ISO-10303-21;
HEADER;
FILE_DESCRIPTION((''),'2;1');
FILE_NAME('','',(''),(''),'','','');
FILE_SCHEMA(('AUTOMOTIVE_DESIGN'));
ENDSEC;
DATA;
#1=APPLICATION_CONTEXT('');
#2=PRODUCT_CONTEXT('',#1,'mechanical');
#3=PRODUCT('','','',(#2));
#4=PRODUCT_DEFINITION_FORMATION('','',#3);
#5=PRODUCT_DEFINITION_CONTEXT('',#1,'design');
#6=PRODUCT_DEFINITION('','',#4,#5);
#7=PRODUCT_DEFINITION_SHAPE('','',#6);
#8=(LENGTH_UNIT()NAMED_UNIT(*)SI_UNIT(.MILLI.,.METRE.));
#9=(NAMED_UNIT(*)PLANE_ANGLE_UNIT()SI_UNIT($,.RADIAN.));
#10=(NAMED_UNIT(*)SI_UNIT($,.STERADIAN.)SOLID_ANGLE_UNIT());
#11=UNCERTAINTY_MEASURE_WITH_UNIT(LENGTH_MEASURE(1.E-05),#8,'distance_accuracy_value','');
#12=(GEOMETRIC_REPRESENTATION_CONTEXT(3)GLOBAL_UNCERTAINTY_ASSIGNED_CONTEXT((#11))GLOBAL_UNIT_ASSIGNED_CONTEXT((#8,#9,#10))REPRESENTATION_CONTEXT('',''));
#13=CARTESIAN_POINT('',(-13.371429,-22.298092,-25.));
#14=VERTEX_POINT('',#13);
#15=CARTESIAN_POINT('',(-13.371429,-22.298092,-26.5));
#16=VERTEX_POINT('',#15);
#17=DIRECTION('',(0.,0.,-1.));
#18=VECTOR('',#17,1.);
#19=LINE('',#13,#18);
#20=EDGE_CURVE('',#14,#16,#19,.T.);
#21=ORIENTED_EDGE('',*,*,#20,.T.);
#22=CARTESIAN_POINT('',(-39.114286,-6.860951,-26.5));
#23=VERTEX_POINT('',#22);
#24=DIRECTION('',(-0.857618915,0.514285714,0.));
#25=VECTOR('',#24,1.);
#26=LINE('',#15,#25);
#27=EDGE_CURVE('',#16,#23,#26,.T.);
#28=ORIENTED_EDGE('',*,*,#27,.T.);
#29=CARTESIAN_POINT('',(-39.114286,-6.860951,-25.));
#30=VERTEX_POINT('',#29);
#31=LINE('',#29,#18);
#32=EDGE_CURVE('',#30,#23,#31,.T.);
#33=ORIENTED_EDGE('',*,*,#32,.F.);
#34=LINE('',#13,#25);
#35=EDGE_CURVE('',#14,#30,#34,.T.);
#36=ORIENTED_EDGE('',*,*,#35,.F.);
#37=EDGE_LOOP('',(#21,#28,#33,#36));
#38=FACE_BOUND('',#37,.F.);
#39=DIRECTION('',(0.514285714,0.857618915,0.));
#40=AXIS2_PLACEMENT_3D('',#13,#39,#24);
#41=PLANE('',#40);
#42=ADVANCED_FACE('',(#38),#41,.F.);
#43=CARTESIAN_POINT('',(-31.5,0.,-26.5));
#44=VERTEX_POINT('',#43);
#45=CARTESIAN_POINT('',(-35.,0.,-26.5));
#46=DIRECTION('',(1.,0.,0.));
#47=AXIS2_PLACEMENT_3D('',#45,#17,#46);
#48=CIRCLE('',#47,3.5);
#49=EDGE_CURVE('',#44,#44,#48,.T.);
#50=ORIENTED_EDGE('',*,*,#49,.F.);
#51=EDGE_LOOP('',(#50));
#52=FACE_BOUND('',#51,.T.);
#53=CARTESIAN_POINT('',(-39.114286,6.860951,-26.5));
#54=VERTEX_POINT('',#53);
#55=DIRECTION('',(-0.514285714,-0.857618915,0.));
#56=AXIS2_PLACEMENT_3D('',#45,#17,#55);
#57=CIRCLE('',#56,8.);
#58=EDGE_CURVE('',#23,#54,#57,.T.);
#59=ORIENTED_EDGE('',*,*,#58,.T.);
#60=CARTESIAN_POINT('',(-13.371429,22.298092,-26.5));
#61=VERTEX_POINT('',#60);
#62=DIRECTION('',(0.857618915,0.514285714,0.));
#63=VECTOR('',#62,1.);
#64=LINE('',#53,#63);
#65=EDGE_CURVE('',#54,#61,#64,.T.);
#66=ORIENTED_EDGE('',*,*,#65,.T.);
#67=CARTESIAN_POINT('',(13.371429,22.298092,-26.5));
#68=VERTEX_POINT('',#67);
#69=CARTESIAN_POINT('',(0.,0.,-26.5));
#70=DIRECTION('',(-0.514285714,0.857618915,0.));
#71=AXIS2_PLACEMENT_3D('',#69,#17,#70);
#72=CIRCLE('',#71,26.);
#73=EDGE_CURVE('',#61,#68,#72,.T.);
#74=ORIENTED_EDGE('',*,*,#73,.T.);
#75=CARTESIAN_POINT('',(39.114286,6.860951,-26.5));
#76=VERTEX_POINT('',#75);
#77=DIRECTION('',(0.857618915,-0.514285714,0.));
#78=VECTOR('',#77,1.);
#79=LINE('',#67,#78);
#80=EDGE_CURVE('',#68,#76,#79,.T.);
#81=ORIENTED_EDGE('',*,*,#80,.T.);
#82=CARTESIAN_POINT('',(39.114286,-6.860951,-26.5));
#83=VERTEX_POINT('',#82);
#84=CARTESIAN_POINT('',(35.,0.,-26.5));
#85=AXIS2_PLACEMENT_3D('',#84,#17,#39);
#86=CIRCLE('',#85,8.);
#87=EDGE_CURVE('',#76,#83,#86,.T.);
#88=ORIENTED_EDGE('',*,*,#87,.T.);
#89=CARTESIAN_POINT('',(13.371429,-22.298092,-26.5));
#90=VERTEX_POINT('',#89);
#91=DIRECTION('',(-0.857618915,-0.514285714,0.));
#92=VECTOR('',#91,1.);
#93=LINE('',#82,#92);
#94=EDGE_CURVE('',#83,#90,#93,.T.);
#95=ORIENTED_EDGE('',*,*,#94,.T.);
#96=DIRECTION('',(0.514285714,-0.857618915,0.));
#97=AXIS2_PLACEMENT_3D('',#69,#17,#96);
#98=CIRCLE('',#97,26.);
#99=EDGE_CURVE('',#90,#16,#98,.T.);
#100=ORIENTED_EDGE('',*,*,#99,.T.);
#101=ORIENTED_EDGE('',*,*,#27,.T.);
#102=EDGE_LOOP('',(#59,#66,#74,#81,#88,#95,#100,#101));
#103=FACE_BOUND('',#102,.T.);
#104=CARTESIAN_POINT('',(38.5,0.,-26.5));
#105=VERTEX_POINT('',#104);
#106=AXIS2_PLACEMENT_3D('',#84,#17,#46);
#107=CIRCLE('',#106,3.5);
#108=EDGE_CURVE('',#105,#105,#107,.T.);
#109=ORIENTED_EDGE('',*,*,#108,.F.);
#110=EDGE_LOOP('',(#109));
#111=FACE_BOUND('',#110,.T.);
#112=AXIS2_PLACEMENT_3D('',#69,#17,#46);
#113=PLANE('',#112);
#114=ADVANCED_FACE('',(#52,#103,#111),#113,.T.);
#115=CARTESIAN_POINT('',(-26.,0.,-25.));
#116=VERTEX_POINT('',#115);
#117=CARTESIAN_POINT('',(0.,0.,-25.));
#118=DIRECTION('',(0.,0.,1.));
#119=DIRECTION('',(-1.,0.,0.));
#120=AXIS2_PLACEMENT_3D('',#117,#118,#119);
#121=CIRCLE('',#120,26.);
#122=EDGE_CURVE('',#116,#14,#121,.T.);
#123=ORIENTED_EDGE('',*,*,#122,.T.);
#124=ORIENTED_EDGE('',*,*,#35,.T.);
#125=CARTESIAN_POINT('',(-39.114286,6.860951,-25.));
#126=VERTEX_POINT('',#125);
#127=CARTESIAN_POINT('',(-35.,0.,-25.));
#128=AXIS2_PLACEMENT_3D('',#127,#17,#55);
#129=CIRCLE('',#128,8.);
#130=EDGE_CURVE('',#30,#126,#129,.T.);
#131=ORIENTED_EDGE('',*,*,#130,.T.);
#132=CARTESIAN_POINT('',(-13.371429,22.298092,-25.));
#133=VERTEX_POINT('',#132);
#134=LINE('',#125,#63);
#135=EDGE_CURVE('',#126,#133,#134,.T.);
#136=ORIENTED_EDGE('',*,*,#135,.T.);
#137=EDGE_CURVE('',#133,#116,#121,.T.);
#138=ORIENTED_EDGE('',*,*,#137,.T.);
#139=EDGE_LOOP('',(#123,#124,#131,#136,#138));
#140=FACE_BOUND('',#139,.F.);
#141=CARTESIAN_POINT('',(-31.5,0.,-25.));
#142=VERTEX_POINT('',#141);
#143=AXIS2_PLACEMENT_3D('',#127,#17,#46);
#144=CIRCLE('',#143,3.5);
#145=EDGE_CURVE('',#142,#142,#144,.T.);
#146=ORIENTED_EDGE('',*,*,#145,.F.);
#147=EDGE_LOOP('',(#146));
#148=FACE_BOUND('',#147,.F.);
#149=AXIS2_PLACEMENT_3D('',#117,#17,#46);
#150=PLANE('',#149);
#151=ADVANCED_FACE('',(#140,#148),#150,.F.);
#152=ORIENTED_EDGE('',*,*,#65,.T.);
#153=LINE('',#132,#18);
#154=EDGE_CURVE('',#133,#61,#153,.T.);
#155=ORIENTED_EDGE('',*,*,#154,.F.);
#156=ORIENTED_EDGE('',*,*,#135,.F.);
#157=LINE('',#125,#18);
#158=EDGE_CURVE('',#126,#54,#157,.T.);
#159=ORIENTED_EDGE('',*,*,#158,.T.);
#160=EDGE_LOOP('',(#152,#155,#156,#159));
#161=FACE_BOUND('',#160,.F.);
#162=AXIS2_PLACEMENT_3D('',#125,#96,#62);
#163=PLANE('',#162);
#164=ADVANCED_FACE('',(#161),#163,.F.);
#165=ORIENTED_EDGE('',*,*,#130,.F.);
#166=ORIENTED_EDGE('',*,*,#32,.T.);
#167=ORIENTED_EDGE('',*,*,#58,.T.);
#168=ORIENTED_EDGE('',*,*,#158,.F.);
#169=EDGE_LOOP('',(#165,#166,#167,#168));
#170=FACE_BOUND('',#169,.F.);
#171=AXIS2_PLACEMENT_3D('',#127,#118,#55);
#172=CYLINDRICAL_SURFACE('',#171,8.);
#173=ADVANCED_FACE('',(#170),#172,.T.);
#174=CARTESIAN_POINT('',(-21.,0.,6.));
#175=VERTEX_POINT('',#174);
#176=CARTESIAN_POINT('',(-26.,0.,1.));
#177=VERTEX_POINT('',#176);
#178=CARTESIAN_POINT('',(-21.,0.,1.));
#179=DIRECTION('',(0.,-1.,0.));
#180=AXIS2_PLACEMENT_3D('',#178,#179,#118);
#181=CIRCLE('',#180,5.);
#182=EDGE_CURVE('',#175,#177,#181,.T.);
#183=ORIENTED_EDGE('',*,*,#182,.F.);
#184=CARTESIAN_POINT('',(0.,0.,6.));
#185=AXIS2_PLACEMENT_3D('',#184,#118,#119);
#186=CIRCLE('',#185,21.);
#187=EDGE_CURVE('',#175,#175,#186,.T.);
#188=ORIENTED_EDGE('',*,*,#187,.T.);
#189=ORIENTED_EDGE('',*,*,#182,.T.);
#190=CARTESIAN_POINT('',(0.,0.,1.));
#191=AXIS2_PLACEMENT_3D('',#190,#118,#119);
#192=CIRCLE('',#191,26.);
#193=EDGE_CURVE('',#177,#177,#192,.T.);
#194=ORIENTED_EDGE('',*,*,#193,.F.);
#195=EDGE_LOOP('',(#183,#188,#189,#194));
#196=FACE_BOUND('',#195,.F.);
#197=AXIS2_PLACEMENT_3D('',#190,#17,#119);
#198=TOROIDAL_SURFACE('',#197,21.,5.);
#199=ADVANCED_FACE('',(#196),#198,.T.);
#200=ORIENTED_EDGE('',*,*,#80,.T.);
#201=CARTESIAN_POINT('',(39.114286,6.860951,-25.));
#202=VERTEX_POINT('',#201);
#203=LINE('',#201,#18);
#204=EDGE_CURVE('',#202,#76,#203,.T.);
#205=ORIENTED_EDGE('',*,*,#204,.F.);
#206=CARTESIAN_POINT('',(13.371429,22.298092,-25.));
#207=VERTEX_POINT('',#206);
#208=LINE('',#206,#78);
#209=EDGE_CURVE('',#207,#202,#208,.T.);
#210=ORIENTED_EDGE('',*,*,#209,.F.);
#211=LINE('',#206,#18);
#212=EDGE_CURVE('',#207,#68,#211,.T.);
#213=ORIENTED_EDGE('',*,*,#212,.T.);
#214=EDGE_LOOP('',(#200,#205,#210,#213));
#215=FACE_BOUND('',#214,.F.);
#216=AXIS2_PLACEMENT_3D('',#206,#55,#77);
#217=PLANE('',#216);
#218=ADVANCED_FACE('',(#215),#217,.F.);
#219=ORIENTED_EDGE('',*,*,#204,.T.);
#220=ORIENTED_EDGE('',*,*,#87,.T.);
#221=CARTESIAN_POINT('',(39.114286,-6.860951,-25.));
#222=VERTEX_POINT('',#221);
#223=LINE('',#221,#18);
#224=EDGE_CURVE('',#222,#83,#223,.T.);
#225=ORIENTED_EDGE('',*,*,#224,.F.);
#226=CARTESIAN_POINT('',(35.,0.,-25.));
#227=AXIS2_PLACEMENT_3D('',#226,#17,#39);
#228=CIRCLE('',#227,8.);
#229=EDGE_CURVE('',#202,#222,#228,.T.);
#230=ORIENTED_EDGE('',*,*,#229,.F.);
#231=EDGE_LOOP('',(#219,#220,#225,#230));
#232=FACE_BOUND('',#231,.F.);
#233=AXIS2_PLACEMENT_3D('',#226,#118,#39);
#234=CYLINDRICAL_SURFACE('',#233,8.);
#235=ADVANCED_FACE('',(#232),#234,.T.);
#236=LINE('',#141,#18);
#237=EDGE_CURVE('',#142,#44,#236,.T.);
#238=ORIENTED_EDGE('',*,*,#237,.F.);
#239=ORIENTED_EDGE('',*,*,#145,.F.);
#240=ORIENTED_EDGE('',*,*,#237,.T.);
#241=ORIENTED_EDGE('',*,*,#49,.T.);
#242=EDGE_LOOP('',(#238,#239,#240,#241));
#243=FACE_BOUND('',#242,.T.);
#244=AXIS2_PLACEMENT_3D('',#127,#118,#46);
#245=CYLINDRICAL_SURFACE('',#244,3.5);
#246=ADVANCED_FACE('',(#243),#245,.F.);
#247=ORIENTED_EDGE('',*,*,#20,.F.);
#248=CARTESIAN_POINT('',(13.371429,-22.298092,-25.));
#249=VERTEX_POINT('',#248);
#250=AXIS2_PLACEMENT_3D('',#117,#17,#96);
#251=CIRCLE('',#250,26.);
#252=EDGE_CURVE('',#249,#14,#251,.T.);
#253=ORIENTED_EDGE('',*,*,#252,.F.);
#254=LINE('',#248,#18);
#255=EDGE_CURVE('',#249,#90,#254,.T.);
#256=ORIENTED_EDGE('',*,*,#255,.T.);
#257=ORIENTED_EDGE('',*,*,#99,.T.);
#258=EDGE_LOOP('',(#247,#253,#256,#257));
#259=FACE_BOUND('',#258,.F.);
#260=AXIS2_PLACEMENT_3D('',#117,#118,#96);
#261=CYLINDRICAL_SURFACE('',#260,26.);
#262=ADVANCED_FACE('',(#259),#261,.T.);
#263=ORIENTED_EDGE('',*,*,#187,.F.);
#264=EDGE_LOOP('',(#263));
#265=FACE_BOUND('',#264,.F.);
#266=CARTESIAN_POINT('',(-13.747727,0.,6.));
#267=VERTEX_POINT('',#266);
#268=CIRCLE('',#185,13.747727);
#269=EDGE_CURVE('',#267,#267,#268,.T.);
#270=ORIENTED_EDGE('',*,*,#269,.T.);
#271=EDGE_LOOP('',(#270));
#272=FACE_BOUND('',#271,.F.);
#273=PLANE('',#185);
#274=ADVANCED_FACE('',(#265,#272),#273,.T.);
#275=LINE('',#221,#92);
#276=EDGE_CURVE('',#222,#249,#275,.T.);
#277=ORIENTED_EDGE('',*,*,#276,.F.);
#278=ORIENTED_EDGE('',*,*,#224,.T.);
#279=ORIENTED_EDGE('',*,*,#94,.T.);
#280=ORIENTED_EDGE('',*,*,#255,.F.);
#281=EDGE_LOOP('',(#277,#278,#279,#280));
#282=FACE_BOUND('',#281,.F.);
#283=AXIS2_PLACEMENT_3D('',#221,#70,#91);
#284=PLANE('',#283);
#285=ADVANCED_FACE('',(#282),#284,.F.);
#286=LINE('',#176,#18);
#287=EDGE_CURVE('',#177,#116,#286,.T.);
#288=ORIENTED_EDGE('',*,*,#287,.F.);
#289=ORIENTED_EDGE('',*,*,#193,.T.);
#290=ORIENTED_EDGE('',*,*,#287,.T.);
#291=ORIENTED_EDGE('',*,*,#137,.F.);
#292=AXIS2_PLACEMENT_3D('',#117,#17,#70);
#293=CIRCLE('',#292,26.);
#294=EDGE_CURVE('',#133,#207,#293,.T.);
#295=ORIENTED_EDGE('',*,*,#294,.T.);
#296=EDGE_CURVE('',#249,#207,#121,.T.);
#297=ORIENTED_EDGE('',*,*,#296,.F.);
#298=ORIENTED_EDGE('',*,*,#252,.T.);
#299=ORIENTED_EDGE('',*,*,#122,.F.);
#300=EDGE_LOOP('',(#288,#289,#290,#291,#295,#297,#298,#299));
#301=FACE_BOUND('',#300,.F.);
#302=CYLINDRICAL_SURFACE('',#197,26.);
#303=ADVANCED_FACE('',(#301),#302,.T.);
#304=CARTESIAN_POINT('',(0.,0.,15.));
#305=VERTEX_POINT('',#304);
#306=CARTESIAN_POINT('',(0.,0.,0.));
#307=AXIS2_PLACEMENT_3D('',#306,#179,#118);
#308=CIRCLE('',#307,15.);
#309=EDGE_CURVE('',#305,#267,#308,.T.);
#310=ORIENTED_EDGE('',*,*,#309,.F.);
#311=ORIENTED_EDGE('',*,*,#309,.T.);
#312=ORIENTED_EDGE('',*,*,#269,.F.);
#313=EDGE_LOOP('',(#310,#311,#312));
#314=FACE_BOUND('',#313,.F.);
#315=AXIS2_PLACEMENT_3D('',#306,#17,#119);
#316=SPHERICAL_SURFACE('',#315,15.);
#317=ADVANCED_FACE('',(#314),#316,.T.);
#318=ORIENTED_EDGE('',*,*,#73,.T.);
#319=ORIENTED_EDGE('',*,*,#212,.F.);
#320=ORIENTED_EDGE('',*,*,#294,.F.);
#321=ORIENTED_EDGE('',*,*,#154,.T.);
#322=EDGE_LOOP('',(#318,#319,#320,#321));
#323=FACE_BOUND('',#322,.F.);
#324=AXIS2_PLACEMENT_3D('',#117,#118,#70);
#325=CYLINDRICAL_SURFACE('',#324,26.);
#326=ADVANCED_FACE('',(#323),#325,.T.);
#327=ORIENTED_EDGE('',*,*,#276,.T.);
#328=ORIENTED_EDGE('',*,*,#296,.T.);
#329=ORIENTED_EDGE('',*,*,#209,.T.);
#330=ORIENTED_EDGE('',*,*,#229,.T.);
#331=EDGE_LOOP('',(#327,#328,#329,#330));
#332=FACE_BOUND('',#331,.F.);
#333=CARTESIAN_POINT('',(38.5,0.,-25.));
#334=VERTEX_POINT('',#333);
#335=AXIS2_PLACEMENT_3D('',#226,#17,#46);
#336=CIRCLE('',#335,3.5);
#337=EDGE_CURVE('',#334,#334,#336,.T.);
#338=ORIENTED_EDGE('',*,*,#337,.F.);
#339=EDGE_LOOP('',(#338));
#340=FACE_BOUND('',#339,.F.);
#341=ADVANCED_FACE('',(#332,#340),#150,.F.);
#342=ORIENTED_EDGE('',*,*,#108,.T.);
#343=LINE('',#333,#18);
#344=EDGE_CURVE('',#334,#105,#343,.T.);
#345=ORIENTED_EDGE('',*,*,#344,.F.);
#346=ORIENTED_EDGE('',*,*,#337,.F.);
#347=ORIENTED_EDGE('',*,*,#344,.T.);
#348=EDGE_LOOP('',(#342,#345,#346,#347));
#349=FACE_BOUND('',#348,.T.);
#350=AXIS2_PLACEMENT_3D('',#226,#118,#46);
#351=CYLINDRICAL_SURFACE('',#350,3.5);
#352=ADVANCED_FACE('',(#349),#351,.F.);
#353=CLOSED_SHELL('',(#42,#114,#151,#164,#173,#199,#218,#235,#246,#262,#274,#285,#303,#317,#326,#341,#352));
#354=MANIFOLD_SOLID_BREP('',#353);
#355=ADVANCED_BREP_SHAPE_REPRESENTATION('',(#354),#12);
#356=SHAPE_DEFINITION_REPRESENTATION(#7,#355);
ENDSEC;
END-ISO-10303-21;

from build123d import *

# Parameters (mm, degrees)
F2_R     = 3.5
F3_DEPTH = 1.5


with BuildPart() as f1:
    # F0 (on Front) → F1 (revolve)
    with BuildSketch(Plane.XZ):
        with BuildLine():
            Line((0, -25), (0, 15))
            ThreePointArc((0, 15), (-8.2158383626, 12.549900398), (-13.7477270849, 6))
            Line((-13.7477270849, 6), (-21, 6))
            ThreePointArc((-21, 6), (-24.5355339059, 4.5355339059), (-26, 1))
            Line((-26, 1), (-26, -23.5))
            Line((-26, -23.5), (-26, -25))
            Line((-26, -25), (0, -25))
        make_face()
    revolve(axis=Axis((0, 0, -5), (0, 0, 1)))

    # F2 (on face) → F3 (join)
    with BuildSketch(Plane(origin=(0, 0, -25), x_dir=(1, 0, 0), z_dir=(0, 0, -1))):
        with BuildLine():
            Line((-39.1142857143, -6.8609513233), (-13.3714285714, -22.2980918009))
            ThreePointArc((-13.3714285714, -22.2980918009), (0, -26), (13.3714285714, -22.2980918009))
            Line((13.3714285714, -22.2980918009), (39.1142857143, -6.8609513233))
            ThreePointArc((39.1142857143, -6.8609513233), (43, 0), (39.1142857143, 6.8609513233))
            Line((39.1142857143, 6.8609513233), (13.3714285714, 22.2980918009))
            ThreePointArc((13.3714285714, 22.2980918009), (0, 26), (-13.3714285714, 22.2980918009))
            Line((-13.3714285714, 22.2980918009), (-39.1142857143, 6.8609513233))
            ThreePointArc((-39.1142857143, 6.8609513233), (-43, 0), (-39.1142857143, -6.8609513233))
        make_face()
        with Locations((-35, 0)):
            Circle(F2_R, mode=Mode.SUBTRACT)
        with Locations((35, 0)):
            Circle(F2_R, mode=Mode.SUBTRACT)
    extrude(amount=F3_DEPTH)


solid = f1.part
